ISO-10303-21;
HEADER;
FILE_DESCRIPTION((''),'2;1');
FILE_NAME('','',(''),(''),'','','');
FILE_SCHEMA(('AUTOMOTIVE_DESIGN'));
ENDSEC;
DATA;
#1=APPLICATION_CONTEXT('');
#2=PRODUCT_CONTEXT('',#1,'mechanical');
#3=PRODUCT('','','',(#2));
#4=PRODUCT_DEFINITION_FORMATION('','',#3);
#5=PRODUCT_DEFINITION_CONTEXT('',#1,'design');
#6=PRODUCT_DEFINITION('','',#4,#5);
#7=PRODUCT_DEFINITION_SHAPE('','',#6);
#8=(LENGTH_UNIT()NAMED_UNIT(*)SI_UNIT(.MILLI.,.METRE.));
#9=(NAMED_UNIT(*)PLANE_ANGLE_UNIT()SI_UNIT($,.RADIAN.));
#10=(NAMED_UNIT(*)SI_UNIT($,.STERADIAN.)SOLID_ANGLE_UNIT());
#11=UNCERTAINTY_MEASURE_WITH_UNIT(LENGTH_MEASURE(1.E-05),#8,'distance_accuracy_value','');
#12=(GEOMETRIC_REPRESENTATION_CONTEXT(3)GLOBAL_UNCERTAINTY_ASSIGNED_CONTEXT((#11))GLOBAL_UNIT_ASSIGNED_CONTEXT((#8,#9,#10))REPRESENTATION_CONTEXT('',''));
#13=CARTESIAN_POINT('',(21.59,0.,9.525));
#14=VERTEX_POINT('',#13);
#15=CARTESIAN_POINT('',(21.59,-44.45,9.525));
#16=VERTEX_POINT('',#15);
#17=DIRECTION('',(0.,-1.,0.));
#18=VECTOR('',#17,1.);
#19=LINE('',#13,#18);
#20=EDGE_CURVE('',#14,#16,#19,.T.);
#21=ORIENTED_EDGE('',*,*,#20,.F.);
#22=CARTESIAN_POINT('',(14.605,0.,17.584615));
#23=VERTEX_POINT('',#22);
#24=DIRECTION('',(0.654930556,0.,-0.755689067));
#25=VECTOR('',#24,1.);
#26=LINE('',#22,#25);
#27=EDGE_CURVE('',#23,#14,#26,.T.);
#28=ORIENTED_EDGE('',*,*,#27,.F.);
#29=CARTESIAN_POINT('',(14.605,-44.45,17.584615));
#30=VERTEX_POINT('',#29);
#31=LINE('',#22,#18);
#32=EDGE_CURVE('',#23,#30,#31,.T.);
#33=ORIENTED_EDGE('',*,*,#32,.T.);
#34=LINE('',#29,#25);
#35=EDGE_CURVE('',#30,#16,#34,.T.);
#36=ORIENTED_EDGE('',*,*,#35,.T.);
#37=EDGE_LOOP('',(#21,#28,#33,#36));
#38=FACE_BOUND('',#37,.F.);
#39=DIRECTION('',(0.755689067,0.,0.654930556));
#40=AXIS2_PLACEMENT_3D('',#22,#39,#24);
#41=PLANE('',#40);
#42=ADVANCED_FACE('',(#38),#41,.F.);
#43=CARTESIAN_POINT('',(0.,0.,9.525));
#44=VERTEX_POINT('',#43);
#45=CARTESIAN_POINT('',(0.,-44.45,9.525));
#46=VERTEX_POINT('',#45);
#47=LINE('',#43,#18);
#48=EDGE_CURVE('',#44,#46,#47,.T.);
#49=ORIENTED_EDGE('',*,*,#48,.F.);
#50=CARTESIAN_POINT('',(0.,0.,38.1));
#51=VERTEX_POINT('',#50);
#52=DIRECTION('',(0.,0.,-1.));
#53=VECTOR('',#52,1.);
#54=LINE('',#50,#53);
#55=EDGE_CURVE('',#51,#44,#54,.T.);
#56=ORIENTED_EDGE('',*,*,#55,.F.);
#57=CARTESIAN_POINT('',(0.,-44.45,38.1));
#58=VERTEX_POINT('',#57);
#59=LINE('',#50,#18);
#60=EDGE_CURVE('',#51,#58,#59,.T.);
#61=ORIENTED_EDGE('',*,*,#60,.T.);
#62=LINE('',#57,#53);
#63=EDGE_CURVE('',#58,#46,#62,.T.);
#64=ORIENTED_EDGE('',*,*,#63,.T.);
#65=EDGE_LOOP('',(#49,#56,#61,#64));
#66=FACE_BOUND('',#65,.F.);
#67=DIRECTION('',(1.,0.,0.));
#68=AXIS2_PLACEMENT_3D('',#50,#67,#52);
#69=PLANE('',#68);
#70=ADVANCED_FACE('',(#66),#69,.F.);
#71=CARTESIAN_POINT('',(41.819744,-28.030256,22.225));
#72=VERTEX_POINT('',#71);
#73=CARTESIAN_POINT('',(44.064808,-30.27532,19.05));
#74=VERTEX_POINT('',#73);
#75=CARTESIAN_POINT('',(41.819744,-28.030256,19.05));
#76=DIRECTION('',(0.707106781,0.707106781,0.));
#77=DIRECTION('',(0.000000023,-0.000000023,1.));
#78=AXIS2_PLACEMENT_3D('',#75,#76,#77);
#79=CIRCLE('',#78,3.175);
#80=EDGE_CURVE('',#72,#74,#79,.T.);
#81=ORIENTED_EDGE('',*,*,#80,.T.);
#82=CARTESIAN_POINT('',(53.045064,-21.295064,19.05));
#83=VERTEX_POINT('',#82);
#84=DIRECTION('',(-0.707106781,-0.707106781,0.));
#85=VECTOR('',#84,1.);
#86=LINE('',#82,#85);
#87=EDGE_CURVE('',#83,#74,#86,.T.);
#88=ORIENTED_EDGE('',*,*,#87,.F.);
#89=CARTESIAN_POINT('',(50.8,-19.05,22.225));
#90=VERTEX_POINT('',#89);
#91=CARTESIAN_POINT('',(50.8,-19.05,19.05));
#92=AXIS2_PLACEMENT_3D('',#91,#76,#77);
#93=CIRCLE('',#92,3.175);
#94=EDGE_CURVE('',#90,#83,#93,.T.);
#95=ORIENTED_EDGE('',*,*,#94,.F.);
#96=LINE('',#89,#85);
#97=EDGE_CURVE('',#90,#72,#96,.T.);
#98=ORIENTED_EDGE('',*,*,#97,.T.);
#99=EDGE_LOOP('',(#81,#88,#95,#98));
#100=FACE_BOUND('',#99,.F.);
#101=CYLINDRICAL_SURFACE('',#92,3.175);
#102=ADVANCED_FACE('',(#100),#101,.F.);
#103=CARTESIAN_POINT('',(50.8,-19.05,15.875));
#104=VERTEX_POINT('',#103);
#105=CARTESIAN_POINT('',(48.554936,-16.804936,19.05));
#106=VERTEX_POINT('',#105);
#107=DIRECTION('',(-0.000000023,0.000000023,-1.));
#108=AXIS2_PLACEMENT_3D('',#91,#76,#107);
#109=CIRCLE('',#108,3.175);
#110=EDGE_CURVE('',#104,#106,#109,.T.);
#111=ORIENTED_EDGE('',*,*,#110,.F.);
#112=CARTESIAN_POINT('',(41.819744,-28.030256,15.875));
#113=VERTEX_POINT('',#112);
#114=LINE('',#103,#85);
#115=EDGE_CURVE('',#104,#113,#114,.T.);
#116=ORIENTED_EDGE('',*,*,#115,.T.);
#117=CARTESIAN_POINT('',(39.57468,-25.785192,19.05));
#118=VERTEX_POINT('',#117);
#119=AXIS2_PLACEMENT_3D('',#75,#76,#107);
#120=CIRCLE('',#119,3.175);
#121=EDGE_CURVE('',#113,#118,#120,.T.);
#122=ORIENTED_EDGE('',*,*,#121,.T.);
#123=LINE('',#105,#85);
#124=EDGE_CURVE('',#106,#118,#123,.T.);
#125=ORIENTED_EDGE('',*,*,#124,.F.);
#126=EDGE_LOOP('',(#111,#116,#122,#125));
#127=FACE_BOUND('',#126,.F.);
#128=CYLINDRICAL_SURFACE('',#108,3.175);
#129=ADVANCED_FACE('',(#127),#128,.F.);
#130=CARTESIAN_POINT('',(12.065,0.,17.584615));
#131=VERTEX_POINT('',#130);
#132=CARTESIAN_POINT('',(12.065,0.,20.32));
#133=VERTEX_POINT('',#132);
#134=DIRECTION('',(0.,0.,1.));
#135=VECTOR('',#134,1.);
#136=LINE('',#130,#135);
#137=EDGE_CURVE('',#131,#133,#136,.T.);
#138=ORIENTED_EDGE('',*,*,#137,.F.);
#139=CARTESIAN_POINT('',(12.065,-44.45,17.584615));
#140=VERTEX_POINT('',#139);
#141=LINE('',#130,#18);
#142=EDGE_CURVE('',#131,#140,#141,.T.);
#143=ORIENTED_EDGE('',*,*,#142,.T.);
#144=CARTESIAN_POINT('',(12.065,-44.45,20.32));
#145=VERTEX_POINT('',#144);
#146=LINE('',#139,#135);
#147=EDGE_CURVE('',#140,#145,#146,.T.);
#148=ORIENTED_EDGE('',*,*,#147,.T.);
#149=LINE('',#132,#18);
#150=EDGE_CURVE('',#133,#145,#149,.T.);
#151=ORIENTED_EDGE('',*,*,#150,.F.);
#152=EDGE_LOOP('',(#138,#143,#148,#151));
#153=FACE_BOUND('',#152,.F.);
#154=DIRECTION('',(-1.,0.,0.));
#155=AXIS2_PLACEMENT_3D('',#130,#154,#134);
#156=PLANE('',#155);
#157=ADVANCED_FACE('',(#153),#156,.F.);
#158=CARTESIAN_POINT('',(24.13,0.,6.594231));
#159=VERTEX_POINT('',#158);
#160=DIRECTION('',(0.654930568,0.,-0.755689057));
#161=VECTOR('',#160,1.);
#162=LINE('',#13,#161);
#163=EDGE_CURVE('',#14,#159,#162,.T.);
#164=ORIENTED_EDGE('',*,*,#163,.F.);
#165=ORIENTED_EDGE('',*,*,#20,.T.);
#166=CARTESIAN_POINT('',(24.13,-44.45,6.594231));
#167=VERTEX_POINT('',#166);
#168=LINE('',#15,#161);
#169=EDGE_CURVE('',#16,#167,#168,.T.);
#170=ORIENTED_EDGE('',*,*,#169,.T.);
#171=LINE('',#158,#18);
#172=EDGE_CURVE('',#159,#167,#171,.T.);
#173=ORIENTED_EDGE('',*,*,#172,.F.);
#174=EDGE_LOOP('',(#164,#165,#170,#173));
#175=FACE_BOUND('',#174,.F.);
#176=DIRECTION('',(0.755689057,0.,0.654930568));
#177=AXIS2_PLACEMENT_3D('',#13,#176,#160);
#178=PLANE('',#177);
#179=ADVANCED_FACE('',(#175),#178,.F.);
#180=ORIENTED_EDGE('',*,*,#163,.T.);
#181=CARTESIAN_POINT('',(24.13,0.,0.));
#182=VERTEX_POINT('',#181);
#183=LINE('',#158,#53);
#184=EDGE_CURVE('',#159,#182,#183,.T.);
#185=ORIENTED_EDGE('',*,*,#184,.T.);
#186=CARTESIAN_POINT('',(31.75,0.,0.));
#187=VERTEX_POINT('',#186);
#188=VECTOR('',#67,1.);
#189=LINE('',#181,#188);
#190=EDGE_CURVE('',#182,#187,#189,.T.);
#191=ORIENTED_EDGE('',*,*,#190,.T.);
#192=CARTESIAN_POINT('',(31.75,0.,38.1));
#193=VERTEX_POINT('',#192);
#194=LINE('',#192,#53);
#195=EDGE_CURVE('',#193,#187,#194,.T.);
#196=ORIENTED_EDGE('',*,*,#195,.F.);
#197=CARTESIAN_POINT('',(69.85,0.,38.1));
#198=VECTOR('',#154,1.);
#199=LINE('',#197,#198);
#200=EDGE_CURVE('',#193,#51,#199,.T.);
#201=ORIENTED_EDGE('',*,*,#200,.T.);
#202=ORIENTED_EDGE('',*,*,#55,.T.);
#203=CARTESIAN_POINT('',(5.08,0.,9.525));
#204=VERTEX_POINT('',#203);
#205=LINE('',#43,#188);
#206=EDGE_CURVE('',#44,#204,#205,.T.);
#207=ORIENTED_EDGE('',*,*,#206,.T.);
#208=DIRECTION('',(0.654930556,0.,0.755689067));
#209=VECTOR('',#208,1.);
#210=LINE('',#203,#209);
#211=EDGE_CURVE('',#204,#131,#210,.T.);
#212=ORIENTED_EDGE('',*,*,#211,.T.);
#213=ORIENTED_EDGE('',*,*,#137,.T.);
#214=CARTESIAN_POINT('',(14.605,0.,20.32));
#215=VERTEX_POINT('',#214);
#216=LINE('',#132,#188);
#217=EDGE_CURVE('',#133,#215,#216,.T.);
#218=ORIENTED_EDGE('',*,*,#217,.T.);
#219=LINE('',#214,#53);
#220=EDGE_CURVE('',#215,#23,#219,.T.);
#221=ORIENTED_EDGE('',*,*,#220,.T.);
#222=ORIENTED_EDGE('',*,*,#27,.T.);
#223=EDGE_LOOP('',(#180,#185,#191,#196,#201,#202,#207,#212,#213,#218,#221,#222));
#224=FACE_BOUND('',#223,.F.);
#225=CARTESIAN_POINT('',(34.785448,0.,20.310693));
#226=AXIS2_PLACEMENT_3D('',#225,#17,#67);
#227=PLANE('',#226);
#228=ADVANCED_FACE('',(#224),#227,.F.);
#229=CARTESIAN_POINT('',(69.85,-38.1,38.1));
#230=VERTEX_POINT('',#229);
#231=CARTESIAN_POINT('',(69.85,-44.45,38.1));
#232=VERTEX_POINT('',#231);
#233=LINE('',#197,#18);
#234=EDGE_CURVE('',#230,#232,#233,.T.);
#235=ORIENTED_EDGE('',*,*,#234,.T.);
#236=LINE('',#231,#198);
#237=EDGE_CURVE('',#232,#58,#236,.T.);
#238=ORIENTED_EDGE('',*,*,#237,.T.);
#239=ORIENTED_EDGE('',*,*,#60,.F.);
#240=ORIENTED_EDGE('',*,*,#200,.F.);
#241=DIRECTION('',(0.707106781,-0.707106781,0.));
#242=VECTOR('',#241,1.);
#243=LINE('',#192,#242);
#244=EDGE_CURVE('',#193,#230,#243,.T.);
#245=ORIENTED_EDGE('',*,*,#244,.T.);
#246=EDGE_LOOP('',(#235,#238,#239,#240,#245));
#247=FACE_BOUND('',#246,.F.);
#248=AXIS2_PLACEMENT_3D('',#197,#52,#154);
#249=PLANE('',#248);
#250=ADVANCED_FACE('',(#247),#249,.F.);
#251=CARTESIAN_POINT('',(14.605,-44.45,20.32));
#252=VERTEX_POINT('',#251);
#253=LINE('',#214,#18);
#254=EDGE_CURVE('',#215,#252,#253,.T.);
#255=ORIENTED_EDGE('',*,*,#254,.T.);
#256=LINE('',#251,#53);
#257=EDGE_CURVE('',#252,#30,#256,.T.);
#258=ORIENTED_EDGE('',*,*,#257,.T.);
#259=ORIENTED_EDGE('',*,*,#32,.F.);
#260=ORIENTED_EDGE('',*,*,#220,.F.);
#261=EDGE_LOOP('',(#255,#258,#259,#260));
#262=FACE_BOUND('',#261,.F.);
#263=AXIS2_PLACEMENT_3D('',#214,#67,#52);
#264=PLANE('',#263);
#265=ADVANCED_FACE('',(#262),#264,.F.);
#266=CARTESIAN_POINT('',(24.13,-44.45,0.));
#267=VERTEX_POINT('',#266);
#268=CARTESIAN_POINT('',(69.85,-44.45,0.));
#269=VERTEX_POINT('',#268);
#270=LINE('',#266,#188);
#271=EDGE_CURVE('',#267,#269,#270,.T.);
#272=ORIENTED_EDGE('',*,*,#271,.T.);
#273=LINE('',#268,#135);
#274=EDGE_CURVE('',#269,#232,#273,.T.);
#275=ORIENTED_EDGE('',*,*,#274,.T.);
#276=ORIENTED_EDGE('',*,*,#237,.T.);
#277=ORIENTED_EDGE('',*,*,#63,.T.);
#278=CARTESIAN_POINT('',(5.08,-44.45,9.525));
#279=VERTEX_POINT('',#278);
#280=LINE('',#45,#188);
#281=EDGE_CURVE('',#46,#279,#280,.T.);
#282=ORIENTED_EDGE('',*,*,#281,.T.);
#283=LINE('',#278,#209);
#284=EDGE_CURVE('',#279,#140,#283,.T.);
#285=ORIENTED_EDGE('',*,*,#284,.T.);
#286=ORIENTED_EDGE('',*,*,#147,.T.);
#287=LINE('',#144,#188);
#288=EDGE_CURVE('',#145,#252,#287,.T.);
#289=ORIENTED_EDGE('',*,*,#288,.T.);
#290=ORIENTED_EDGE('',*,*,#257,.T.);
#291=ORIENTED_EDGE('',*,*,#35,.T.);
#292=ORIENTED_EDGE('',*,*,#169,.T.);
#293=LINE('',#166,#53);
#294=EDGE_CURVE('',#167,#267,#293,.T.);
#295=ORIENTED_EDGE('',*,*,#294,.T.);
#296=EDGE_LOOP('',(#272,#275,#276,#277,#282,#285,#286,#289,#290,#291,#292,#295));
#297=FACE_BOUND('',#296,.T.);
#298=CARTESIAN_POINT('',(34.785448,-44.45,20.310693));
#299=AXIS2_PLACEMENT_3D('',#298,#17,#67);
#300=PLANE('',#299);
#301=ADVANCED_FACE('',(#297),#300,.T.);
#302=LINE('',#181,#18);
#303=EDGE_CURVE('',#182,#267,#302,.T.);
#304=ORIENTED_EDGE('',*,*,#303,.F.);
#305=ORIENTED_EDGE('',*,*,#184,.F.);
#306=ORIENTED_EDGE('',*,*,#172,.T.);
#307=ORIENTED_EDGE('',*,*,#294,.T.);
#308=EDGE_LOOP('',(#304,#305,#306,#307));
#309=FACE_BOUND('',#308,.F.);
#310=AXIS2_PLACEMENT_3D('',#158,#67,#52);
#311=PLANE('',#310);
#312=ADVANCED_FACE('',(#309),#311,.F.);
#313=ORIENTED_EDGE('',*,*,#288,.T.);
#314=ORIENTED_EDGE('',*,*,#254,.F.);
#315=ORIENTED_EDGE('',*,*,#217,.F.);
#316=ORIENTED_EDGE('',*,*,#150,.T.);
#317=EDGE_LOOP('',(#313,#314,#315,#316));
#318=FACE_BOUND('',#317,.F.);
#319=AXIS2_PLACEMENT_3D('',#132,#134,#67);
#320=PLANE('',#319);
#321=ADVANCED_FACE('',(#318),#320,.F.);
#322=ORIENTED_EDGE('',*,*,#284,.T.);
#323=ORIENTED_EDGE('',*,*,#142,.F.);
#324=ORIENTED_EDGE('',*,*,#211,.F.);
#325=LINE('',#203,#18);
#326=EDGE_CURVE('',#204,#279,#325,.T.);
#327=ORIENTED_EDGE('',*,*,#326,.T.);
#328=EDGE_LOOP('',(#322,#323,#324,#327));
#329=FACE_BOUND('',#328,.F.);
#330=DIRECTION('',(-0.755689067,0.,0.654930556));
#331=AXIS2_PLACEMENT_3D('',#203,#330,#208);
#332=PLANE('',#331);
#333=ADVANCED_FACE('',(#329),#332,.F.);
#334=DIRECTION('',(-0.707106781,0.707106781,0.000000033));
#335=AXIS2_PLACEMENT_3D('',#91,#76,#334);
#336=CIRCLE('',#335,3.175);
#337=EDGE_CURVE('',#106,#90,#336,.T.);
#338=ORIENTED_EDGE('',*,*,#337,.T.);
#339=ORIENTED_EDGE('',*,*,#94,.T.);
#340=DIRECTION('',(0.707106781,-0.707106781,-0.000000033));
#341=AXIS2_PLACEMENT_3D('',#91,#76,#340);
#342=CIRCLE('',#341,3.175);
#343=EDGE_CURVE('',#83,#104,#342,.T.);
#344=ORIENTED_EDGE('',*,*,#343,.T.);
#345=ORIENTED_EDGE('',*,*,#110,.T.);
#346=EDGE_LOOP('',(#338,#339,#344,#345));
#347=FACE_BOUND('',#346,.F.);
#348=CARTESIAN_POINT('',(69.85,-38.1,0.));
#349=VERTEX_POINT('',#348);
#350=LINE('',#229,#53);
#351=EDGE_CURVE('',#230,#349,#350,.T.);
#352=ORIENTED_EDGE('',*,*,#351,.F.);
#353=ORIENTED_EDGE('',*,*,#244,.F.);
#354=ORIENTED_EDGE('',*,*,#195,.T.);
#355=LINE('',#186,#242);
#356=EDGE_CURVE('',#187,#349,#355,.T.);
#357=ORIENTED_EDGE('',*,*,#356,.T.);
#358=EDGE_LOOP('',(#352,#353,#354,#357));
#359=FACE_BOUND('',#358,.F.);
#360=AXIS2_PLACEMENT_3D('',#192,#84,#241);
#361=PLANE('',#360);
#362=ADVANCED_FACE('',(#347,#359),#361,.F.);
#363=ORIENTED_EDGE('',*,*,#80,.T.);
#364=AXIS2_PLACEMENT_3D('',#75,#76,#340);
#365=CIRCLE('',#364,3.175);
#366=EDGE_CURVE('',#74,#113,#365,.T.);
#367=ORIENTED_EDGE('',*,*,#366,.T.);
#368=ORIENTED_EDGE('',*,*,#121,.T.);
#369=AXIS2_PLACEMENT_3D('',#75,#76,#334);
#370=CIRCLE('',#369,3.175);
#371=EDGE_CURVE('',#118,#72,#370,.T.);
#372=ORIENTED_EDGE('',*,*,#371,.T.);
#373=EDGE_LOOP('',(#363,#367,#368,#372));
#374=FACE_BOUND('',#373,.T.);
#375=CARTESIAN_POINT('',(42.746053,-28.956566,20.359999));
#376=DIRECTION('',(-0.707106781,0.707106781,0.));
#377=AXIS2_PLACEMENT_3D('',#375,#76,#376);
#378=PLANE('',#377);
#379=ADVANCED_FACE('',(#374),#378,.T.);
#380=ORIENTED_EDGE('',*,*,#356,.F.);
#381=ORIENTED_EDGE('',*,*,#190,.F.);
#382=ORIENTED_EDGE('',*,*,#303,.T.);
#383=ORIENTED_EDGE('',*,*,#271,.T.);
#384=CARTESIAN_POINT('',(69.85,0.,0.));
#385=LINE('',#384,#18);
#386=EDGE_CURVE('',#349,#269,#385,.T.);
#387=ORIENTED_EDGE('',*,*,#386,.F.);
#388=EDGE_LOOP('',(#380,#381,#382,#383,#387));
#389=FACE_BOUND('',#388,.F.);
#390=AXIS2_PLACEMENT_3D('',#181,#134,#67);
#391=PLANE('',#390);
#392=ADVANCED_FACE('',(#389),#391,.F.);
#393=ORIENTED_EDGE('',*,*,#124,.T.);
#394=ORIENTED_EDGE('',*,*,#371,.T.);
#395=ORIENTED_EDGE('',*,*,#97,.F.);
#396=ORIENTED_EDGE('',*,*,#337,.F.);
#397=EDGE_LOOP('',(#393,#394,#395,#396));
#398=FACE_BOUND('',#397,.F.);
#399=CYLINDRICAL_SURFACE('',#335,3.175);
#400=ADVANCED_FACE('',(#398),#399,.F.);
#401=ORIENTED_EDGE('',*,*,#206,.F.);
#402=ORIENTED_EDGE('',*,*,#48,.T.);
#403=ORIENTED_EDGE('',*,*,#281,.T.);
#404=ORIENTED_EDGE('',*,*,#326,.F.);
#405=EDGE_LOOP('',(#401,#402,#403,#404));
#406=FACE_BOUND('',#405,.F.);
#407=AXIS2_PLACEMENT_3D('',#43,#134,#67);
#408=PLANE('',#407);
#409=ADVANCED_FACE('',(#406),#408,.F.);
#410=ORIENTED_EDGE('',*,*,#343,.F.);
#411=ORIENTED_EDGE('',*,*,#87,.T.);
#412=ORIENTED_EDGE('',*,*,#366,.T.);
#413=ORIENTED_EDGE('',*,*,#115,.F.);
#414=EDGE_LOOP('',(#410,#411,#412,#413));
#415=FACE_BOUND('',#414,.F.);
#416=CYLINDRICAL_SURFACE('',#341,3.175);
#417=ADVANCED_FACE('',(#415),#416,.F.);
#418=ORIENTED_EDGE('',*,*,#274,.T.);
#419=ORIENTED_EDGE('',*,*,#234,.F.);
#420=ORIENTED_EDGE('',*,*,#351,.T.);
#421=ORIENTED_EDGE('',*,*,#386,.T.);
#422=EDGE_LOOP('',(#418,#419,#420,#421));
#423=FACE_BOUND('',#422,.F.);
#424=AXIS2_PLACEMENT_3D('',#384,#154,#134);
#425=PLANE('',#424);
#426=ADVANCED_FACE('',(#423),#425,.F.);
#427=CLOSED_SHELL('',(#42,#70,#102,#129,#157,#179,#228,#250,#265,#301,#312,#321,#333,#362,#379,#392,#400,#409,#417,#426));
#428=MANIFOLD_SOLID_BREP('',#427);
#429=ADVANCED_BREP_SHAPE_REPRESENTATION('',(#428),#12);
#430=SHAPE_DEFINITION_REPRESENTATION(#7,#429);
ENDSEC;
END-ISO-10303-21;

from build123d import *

# Parameters (mm, degrees)
F1_DEPTH = 44.45
F3_DEPTH = 38.1
F5_DEPTH = 12.7


with BuildPart() as f1:
    # F0 (on Front) → F1 (new body)
    with BuildSketch(Plane.XZ):
        Polygon((24.13, 6.594231), (24.13, 0), (69.85, 0), (69.85, 38.1), (0, 38.1), (0, 9.525), (5.08, 9.525), (12.065, 17.584615), (12.065, 19.05), (12.065, 20.32), (14.605, 20.32), (14.605, 19.05), (14.605, 17.584615), (21.59, 9.525), align=None)
    extrude(amount=F1_DEPTH)

    # F2 (on face) → F3 (cut)
    with BuildSketch(Plane.XY.offset(38.1)):
        Polygon((69.85, -38.1), (69.85, 0), (31.75, 0), align=None)
    extrude(amount=-F3_DEPTH, mode=Mode.SUBTRACT)

    # F4 (on face) → F5 (cut)
    with BuildSketch(Plane(origin=(15.875, 15.875, 0), x_dir=(-0.707107, 0.707107, 0), z_dir=(0.707107, 0.707107, 0))):
        with BuildLine():
            ThreePointArc((-49.391409, 22.225), (-51.636473, 21.295064), (-52.566409, 19.05))
            Line((-52.566409, 19.05), (-49.391409, 19.05))
            Line((-49.391409, 19.05), (-49.391409, 22.225))
        make_face()
        with BuildLine():
            Line((-49.391409, 19.05), (-52.566409, 19.05))
            ThreePointArc((-52.566409, 19.05), (-51.636473, 16.804936), (-49.391409, 15.875))
            Line((-49.391409, 15.875), (-49.391409, 19.05))
        make_face()
        with BuildLine():
            Line((-49.391409, 22.225), (-49.391409, 19.05))
            Line((-49.391409, 19.05), (-46.216409, 19.05))
            ThreePointArc((-46.216409, 19.05), (-47.146345, 21.295064), (-49.391409, 22.225))
        make_face()
        with BuildLine():
            Line((-46.216409, 19.05), (-49.391409, 19.05))
            Line((-49.391409, 19.05), (-49.391409, 15.875))
            ThreePointArc((-49.391409, 15.875), (-47.146345, 16.804936), (-46.216409, 19.05))
        make_face()
    extrude(amount=-F5_DEPTH, mode=Mode.SUBTRACT)


solid = f1.part
